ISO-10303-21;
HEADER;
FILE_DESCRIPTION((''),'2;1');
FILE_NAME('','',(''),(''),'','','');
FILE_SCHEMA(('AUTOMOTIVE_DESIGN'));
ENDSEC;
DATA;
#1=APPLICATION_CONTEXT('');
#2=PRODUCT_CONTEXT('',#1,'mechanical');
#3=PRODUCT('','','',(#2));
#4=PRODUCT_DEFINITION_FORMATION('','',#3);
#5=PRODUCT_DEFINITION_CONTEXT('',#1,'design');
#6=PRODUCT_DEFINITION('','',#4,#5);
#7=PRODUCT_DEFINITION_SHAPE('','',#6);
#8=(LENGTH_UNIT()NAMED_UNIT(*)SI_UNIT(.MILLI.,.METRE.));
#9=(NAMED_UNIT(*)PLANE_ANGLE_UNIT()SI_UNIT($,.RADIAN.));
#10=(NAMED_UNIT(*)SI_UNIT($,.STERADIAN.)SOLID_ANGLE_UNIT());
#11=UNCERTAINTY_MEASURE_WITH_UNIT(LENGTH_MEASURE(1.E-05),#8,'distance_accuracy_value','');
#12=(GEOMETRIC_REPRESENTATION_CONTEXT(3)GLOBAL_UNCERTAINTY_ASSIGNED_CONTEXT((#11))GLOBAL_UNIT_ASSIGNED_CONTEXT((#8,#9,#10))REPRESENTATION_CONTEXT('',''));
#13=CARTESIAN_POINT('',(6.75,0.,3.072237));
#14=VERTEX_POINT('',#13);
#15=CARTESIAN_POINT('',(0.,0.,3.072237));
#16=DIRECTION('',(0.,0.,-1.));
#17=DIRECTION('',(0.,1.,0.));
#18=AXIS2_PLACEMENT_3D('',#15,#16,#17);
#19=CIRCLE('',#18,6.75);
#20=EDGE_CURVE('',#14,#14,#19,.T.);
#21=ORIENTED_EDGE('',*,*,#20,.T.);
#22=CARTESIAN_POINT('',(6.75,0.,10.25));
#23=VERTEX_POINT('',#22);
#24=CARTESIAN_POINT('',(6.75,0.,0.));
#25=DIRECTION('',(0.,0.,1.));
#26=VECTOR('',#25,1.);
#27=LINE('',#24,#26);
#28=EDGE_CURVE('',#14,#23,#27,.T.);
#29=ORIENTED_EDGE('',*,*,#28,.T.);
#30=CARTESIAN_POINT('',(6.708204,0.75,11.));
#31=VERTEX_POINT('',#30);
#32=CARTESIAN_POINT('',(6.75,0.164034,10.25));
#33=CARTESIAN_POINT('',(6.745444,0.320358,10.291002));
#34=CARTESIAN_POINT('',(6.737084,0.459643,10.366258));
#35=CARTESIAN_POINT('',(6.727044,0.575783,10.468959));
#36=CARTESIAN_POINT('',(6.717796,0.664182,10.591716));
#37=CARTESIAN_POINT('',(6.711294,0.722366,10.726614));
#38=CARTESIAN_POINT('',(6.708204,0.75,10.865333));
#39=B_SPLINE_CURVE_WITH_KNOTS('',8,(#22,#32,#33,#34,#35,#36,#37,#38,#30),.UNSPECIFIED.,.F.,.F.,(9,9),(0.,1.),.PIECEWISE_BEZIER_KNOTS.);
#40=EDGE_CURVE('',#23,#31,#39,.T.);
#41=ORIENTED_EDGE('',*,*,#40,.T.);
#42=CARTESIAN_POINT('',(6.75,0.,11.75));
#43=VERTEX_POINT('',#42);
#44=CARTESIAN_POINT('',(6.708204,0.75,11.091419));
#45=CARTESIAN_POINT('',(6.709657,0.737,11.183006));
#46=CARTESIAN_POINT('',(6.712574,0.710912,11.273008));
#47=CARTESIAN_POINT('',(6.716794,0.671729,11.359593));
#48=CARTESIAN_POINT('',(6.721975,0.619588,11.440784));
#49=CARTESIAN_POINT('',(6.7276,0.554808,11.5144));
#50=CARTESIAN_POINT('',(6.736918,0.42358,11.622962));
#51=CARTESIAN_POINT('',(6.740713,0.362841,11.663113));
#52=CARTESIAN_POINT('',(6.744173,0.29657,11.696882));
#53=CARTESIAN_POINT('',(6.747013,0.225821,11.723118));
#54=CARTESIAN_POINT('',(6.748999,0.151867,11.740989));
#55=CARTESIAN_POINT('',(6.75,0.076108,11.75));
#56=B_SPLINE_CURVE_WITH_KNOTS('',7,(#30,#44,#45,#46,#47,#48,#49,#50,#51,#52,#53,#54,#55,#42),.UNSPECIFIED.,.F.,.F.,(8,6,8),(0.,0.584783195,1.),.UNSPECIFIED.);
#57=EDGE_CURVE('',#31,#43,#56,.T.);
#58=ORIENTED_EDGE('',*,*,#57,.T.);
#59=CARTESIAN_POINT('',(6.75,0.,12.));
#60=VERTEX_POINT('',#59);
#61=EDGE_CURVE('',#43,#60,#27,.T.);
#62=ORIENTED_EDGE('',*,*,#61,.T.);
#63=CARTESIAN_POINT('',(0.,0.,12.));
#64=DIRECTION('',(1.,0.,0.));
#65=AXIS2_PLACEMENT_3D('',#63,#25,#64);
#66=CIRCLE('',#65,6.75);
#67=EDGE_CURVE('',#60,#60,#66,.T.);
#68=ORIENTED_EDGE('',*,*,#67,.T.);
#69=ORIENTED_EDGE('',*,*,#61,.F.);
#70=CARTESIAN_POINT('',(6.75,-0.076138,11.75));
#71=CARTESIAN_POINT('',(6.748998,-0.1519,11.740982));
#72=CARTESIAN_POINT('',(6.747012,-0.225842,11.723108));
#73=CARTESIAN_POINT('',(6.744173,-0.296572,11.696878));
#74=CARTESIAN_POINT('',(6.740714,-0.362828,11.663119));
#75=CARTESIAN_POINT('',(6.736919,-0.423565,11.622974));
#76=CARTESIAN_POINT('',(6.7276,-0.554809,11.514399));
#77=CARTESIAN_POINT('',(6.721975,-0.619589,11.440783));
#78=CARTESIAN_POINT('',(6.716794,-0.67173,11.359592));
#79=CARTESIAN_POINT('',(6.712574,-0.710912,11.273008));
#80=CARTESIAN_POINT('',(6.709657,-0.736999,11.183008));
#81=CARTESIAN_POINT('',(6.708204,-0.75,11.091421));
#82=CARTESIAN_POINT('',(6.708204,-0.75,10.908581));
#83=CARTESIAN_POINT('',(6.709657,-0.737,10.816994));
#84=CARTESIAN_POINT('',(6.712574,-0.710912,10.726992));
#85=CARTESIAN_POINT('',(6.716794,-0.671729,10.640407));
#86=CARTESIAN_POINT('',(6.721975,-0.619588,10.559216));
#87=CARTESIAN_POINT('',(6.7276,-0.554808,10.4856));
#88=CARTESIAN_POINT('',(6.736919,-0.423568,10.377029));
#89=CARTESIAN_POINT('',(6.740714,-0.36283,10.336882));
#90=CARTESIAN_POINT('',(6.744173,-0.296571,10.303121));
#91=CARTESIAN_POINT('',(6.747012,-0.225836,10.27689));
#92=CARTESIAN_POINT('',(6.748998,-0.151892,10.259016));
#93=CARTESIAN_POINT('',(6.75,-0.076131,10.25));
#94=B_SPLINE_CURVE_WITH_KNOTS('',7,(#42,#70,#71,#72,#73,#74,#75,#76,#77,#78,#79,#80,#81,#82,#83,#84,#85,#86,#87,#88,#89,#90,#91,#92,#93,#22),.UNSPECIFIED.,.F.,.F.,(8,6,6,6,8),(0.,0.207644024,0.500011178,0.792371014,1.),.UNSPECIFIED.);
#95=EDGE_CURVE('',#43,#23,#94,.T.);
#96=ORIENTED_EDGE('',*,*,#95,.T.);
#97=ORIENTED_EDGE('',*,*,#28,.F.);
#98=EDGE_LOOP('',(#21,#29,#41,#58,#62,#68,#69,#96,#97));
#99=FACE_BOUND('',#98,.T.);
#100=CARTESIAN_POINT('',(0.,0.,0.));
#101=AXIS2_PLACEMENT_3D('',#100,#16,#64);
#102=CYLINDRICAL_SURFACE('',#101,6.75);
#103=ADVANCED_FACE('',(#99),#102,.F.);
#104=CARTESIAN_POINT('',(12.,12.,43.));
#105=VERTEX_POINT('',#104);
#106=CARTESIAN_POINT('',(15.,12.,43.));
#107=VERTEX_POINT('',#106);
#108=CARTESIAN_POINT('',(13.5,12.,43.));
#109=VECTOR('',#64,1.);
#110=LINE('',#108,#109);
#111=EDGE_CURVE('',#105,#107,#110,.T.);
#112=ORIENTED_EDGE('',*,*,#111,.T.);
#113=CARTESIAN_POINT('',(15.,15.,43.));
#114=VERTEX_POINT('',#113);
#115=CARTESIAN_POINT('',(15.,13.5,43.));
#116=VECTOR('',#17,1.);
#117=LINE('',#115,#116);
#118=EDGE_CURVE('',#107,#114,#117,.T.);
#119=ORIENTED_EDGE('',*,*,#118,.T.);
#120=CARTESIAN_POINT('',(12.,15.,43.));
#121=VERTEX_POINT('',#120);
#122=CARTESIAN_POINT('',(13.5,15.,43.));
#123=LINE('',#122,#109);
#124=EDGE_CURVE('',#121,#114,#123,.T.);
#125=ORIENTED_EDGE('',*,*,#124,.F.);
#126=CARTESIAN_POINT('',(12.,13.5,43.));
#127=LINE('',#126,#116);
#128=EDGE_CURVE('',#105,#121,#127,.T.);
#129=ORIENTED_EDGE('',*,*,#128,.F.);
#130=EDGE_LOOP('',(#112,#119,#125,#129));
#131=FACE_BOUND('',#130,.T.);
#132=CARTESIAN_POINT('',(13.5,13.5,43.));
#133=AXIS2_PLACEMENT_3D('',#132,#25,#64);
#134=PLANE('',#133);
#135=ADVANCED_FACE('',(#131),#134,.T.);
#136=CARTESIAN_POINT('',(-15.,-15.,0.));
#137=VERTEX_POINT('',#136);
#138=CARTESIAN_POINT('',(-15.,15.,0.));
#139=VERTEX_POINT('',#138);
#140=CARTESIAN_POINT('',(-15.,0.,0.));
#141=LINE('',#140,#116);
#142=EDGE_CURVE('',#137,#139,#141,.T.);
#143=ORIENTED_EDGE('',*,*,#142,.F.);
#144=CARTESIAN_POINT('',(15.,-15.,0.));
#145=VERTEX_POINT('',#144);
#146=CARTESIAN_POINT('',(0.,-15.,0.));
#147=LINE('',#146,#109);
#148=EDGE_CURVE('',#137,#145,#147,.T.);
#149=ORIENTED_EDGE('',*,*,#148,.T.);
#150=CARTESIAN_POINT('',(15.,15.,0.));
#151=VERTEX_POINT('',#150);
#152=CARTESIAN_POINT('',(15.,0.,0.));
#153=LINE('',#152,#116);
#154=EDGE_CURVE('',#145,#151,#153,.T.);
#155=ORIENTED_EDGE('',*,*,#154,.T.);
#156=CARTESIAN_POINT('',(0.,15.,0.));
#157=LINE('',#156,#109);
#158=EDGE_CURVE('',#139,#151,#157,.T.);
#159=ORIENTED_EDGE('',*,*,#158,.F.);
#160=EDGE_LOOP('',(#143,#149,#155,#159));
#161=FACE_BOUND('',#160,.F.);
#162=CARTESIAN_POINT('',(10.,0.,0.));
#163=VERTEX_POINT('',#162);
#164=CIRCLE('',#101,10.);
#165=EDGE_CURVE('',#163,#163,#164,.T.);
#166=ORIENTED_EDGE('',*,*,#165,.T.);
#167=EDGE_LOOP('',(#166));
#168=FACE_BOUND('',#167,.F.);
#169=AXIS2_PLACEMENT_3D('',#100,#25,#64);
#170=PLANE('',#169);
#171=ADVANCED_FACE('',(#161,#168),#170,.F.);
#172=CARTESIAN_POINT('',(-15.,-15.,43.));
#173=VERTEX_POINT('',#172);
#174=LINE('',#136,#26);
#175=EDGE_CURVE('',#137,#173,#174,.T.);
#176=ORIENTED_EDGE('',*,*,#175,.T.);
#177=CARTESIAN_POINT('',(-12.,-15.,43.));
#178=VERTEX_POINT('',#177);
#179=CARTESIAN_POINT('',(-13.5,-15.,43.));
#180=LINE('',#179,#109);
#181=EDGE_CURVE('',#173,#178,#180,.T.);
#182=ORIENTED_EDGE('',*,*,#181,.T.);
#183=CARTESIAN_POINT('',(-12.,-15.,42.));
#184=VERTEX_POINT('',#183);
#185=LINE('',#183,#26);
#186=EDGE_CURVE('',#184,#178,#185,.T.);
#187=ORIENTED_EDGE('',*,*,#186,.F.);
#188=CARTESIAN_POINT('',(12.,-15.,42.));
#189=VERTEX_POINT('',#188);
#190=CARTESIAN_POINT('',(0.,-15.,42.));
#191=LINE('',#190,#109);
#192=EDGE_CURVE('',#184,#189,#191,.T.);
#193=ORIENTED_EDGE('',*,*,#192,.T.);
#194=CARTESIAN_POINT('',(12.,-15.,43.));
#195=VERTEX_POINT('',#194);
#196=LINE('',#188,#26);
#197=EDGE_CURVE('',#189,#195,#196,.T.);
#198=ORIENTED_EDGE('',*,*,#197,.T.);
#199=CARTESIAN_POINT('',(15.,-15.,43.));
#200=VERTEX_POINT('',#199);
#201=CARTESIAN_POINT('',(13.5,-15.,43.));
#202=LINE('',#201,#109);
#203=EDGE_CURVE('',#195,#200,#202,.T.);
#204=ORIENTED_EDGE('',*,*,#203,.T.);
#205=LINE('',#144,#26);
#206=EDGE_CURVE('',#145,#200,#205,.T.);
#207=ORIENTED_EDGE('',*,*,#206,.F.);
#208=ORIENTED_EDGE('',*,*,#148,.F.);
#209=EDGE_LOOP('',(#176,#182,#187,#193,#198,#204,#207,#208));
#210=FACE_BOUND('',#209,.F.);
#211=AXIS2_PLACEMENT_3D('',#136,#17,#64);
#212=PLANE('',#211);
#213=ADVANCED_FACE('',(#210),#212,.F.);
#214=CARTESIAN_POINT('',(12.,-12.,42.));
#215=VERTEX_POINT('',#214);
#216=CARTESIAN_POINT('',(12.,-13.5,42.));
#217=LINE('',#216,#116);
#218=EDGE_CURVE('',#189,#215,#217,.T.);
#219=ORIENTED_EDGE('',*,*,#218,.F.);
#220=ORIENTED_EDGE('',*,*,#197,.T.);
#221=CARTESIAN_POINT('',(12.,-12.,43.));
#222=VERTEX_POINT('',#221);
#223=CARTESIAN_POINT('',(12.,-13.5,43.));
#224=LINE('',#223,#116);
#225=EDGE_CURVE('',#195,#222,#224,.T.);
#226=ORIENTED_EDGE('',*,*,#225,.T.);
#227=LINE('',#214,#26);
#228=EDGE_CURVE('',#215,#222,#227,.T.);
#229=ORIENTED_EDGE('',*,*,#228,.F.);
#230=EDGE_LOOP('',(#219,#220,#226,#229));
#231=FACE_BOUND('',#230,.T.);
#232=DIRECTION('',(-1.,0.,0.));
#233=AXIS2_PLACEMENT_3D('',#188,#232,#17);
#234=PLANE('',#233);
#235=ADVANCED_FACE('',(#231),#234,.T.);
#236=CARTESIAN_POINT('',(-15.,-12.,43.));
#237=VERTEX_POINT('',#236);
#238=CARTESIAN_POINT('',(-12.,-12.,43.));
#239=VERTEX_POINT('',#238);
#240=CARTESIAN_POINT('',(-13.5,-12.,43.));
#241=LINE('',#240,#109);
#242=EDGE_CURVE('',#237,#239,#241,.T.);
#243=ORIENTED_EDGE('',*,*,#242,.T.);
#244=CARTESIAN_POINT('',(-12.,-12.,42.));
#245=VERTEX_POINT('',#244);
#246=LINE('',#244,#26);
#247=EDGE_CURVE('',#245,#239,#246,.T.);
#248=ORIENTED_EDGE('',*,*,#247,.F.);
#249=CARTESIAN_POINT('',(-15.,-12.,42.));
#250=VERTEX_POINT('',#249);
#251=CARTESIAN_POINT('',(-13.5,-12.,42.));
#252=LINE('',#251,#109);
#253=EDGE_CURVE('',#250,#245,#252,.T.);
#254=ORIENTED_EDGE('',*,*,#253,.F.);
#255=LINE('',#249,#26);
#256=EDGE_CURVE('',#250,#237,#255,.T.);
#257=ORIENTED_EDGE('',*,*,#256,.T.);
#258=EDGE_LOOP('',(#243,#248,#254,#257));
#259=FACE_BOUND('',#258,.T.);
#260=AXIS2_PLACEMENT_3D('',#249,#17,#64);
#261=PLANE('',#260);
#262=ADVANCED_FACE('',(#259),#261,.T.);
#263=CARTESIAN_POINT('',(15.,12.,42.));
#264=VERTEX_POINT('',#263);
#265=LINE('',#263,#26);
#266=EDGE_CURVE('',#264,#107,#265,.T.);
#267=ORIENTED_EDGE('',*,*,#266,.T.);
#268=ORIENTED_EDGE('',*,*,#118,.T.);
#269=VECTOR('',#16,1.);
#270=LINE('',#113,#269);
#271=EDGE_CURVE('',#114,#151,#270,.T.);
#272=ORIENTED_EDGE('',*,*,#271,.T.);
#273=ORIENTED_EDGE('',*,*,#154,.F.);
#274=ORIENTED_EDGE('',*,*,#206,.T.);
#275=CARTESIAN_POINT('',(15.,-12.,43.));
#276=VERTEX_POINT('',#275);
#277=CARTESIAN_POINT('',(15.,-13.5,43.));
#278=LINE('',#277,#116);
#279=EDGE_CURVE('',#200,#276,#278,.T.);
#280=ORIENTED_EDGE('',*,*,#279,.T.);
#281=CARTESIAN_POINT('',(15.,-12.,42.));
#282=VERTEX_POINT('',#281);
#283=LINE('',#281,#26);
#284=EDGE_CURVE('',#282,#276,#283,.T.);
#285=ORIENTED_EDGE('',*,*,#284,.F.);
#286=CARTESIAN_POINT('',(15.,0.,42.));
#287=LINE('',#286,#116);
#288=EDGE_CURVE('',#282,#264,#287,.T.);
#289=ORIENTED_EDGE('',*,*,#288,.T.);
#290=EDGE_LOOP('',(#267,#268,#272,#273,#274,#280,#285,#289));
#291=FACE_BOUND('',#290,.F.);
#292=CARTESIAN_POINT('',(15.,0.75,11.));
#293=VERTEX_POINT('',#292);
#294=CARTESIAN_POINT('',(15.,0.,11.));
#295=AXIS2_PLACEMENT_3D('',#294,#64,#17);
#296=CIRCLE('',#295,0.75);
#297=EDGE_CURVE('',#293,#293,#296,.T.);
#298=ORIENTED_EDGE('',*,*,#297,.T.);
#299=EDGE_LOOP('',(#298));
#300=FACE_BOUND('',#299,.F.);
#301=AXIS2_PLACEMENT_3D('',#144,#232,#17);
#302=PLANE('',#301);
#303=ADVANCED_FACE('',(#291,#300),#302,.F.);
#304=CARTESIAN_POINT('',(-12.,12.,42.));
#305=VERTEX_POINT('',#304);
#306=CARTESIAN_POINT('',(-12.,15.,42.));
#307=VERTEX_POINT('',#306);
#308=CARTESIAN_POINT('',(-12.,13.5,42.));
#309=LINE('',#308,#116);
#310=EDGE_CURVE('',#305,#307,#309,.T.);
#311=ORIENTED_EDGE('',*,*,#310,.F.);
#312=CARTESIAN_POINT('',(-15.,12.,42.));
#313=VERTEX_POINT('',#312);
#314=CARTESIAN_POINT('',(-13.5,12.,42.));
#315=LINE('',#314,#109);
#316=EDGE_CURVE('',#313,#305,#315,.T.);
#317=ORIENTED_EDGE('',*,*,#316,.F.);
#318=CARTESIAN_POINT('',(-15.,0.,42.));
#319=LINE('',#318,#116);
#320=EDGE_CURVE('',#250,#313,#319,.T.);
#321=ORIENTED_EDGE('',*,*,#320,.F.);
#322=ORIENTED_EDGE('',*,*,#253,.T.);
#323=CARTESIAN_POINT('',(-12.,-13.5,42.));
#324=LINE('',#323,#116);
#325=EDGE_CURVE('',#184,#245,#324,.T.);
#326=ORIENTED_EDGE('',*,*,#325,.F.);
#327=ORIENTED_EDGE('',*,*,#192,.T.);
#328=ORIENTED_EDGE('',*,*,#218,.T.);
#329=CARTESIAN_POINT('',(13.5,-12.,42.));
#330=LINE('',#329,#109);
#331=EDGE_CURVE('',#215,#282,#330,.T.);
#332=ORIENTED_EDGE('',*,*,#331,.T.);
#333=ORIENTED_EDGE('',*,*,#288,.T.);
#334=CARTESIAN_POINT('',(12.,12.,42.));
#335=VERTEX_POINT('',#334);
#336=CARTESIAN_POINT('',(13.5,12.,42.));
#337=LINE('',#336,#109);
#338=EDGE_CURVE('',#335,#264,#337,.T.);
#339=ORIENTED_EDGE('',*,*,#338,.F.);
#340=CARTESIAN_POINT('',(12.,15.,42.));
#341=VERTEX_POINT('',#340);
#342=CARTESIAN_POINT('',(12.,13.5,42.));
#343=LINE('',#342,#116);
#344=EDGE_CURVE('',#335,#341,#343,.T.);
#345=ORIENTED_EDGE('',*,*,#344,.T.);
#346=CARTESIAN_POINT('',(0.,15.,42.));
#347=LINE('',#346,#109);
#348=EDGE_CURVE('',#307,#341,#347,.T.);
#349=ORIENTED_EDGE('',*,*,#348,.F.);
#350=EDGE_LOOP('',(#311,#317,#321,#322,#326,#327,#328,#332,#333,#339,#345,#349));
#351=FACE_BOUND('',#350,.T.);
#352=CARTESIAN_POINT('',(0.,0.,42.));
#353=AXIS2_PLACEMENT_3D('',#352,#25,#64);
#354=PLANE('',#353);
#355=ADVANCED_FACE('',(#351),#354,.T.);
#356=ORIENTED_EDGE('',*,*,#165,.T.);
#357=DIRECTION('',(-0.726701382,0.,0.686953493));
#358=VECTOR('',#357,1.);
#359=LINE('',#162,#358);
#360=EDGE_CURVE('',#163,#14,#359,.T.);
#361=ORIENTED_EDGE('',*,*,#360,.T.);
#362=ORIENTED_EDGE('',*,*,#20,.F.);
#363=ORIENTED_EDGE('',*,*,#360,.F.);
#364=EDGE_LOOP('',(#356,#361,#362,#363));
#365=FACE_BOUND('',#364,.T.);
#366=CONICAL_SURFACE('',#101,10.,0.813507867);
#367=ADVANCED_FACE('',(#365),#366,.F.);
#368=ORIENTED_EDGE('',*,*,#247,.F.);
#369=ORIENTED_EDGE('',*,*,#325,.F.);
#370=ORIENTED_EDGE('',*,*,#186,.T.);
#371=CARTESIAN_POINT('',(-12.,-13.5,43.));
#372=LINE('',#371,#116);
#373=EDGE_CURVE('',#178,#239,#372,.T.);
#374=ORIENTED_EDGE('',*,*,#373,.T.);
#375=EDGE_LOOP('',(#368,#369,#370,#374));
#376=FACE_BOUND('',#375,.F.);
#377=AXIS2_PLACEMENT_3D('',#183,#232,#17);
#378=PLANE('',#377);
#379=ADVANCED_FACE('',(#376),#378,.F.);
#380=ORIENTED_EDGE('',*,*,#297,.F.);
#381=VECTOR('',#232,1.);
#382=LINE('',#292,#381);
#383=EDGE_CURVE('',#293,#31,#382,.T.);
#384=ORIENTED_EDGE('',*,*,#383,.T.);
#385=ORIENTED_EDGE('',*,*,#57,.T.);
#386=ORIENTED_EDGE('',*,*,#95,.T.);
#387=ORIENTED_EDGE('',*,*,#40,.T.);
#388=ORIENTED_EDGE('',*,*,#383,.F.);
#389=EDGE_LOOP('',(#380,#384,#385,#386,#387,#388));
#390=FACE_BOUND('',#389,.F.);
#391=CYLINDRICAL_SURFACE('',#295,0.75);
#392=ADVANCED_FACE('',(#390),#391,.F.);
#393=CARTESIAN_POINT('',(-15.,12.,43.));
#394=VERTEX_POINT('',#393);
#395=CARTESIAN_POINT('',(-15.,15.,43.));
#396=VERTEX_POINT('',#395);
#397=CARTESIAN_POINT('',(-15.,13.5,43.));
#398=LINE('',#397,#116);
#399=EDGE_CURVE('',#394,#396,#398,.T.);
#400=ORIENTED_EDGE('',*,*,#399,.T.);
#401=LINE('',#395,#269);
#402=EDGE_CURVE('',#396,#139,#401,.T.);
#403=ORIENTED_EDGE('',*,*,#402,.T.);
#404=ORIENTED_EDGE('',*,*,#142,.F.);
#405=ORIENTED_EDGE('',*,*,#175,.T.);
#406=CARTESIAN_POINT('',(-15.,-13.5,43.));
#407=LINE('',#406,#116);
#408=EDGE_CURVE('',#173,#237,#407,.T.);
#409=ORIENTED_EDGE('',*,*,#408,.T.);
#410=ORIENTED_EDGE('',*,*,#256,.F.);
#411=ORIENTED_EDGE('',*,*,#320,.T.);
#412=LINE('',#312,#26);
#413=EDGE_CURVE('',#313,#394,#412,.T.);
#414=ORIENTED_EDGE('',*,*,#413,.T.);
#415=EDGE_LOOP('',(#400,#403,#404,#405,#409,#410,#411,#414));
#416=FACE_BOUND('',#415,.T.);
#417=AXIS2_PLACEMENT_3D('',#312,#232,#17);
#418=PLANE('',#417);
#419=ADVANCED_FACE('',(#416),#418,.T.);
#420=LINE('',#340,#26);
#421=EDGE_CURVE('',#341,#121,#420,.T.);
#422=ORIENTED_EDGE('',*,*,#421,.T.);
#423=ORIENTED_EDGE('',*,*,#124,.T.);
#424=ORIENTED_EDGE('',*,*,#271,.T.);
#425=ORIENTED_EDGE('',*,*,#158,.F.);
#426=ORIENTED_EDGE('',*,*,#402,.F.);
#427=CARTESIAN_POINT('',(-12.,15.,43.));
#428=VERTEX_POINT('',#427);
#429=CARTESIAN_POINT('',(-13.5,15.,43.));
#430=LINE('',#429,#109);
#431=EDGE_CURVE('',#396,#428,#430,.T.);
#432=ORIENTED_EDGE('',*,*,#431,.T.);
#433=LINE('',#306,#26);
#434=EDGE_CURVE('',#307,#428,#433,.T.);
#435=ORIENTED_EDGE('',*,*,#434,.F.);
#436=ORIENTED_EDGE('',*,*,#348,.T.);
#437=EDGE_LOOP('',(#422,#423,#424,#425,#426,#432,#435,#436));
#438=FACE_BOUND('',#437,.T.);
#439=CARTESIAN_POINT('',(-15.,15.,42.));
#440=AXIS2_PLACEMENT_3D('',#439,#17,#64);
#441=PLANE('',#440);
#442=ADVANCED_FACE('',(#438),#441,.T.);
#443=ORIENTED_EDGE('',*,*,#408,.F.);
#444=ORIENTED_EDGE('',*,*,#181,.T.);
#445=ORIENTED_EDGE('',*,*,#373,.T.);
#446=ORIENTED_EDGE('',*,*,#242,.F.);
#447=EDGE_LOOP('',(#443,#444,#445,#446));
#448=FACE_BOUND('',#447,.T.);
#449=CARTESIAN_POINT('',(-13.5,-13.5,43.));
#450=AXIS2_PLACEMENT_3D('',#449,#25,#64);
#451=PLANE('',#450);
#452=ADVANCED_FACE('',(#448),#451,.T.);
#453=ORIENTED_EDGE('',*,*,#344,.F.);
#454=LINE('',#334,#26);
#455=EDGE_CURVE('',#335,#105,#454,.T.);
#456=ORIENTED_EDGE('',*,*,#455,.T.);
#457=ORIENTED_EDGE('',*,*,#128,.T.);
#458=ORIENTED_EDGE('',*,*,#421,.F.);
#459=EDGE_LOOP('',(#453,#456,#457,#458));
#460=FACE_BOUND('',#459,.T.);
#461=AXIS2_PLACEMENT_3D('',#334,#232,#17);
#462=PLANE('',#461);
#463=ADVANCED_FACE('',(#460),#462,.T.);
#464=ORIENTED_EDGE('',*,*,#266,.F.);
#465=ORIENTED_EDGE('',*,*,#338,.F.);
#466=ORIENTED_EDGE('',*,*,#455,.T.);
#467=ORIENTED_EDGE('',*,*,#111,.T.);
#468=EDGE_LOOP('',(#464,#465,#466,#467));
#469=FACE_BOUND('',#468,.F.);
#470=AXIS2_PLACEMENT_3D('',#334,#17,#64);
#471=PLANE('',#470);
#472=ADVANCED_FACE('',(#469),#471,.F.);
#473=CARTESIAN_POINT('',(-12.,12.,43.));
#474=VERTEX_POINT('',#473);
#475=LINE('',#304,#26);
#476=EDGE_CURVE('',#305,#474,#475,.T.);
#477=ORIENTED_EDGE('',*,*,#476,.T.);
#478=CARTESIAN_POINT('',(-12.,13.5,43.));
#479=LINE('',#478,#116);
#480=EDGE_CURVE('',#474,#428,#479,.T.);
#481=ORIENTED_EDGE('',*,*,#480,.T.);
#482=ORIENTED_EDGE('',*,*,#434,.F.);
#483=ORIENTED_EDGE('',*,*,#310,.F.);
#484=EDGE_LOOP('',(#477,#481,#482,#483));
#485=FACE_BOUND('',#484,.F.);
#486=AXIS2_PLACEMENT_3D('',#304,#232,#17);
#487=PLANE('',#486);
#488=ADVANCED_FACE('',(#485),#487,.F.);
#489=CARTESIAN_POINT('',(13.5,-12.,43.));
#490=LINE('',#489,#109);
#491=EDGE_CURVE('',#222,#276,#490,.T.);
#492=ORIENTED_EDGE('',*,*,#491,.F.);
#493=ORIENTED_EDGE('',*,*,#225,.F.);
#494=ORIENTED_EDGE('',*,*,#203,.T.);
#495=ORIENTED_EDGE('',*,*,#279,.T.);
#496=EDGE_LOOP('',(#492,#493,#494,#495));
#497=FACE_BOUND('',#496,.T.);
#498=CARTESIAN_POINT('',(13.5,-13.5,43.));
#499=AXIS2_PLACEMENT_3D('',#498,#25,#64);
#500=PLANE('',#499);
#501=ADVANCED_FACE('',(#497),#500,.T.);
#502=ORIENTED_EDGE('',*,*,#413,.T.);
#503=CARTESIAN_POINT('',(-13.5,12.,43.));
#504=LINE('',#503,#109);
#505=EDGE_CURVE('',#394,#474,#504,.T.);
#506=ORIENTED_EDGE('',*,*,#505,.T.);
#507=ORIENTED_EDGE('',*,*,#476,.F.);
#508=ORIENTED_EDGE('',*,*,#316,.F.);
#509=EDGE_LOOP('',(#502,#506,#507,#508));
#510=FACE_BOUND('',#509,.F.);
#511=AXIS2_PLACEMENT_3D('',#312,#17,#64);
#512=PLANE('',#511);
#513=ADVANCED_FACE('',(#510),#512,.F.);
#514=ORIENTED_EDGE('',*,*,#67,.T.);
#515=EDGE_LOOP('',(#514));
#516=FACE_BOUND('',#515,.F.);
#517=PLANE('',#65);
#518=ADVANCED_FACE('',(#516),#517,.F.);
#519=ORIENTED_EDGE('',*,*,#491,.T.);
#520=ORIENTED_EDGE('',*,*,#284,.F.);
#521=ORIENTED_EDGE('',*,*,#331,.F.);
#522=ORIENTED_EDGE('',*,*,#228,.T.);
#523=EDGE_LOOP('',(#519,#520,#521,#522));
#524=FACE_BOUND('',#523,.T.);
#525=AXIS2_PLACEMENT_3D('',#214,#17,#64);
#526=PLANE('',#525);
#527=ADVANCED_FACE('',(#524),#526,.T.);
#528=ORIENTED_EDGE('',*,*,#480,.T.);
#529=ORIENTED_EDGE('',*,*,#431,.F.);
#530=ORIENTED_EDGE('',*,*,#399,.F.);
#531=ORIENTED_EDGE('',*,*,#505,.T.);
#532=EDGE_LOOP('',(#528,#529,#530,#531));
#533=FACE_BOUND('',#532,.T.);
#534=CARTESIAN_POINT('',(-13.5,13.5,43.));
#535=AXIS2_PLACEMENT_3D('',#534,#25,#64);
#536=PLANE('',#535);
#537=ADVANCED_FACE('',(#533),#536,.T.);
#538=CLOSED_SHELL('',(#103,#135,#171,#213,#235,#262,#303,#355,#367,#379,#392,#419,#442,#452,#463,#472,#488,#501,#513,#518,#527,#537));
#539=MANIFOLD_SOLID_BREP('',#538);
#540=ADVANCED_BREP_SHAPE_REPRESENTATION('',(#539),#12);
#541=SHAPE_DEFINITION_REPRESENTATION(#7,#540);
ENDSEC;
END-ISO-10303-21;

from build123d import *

# Parameters (mm, degrees)
F0_W     = 30
F0_H     = 30
F1_DEPTH = 42
F2_R     = 6.75
F3_DEPTH = 12
F6_W     = 3
F6_H     = 3
F7_DEPTH = 1
F8_R     = 0.75
F9_DEPTH = 8.2927961675


with BuildPart() as f1:
    # F0 (on Top) → F1 (new body)
    with BuildSketch(Plane.XY):
        Rectangle(F0_W, F0_H)
    extrude(amount=F1_DEPTH)

    # F2 (on Top) → F3 (cut)
    with BuildSketch(Plane.XY):
        Circle(F2_R)
    extrude(amount=F3_DEPTH, mode=Mode.SUBTRACT)

    # F4 (on Front) → F5 (revolve, cut)
    with BuildSketch(Plane.XZ):
        Polygon((0, 9.4530368224), (0, 0), (10, 0), align=None)
    revolve(axis=Axis((0, 0, 4.7265184112), (0, 0, -1)), mode=Mode.SUBTRACT)

    # F6 (on face) → F7 (join)
    with BuildSketch(Plane.XY.offset(42)):
        with Locations((-13.5, 13.5)):
            Rectangle(F6_W, F6_H)
        with Locations((13.5, 13.5)):
            Rectangle(F6_W, F6_H)
        with Locations((13.5, -13.5)):
            Rectangle(F6_W, F6_H)
        with Locations((-13.5, -13.5)):
            Rectangle(F6_W, F6_H)
    extrude(amount=F7_DEPTH)

    # F8 (on face) → F9 (cut, through all)
    with BuildSketch(Plane.YZ.offset(15)):
        with Locations((0, 11)):
            Circle(F8_R)
    extrude(amount=-F9_DEPTH, mode=Mode.SUBTRACT)


solid = f1.part
